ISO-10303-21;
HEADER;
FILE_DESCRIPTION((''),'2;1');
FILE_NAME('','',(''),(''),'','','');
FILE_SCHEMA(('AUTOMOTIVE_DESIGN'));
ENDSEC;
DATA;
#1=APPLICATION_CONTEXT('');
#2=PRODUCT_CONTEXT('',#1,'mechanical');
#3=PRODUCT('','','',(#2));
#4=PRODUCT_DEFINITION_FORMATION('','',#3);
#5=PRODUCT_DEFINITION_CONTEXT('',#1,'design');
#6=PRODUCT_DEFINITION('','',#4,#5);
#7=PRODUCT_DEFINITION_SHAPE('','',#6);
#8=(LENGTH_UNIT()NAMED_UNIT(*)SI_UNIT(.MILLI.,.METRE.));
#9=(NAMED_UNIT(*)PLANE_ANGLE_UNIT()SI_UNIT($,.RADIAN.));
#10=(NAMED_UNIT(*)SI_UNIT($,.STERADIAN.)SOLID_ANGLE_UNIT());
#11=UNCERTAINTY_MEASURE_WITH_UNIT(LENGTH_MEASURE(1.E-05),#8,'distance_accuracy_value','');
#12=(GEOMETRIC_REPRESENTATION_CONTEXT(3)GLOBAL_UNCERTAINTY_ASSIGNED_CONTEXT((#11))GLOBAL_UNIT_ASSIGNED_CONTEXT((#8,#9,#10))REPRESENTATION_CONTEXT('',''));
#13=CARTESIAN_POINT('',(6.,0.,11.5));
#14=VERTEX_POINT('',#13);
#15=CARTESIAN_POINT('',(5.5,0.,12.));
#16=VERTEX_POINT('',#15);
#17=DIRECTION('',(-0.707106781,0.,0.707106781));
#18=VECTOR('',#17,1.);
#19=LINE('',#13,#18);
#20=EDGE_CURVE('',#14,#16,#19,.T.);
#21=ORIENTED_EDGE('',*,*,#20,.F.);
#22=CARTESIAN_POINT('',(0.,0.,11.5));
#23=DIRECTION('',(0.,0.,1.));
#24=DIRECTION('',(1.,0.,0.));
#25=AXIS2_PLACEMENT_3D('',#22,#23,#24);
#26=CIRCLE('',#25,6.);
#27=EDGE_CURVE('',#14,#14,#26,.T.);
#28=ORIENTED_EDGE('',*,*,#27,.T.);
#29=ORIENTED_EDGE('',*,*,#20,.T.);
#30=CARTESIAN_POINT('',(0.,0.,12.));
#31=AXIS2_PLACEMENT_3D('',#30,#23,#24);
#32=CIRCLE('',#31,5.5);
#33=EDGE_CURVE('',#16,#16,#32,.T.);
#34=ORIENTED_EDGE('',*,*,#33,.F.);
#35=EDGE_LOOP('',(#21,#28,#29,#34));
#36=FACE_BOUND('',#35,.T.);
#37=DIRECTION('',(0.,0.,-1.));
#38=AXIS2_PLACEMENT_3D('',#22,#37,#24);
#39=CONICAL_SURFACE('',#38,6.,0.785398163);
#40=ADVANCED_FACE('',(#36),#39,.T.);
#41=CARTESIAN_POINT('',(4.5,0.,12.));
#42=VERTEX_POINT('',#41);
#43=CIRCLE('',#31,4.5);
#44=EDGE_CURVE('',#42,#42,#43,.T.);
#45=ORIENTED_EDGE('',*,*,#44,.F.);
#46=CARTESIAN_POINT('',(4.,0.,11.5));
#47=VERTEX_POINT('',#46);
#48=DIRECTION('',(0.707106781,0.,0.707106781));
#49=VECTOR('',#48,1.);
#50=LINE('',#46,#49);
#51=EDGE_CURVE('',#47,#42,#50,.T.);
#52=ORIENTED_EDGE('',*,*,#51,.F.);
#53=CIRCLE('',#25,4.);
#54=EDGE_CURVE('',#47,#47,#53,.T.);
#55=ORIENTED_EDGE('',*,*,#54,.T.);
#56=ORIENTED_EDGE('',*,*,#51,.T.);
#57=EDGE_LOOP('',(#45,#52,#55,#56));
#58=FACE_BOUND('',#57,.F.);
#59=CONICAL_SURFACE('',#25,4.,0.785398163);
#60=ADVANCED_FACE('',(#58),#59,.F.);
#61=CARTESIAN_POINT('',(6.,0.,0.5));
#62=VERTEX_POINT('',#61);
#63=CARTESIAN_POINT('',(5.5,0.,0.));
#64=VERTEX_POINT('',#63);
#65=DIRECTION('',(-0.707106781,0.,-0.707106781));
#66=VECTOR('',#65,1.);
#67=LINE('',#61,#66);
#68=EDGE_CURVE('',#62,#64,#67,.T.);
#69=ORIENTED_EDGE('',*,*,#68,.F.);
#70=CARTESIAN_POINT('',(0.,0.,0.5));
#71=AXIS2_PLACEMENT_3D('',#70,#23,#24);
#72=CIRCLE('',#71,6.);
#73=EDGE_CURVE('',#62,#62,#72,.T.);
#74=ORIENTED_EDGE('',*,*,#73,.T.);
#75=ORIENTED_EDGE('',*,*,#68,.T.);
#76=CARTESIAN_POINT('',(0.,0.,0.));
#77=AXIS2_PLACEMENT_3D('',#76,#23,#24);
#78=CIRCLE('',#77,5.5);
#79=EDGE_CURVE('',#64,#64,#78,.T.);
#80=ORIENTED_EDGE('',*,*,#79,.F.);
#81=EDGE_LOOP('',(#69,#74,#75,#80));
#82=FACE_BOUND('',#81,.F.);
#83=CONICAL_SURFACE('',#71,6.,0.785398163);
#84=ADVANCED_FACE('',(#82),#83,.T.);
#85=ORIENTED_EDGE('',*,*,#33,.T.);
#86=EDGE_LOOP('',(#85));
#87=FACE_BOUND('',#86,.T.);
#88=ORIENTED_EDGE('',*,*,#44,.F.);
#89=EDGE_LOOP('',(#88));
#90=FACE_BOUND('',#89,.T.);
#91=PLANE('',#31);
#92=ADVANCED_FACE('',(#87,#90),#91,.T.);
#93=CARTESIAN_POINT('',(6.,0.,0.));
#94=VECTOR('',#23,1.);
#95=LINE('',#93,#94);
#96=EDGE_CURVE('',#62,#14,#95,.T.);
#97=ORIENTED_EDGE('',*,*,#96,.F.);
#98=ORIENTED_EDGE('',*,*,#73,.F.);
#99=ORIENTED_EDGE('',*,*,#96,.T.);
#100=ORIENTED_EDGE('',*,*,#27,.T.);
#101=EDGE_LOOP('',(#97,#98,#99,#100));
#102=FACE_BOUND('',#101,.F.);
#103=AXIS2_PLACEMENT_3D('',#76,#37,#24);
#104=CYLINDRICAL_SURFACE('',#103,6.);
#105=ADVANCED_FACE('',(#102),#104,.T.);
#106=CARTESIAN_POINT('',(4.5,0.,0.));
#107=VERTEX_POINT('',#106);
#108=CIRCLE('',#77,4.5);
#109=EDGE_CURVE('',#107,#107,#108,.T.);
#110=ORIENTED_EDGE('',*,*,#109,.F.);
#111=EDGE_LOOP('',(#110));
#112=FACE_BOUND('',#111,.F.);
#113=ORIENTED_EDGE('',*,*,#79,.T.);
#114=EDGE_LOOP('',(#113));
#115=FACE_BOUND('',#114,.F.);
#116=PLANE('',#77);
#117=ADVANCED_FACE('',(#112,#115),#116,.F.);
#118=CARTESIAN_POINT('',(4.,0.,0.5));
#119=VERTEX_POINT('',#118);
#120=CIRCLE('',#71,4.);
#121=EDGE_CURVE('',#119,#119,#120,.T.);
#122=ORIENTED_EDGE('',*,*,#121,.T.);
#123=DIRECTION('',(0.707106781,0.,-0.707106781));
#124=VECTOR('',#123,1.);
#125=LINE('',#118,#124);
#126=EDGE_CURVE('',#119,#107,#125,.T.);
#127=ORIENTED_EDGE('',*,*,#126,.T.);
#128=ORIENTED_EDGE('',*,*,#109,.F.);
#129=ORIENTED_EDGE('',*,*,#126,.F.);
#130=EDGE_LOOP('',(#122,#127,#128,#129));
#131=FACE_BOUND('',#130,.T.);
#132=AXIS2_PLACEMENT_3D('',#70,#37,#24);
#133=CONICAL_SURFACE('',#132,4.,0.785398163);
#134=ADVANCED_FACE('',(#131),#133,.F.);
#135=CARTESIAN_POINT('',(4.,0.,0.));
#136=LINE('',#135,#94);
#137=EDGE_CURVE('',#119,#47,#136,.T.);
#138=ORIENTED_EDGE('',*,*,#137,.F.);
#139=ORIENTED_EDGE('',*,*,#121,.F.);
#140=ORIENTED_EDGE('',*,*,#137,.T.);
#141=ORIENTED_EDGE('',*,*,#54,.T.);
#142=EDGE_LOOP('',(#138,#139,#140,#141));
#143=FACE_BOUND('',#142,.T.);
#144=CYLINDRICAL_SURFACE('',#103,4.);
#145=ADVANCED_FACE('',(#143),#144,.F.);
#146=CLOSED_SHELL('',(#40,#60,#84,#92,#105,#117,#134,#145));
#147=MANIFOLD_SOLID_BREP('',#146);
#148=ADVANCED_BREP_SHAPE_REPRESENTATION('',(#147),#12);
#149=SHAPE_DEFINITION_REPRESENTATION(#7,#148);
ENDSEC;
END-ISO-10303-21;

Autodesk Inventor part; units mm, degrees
ref_plane "YZ Plane" through (0, 0, 0) normal (1, 0, 0) x (0, 1, 0)
ref_plane "XZ Plane" through (0, 0, 0) normal (0, 1, 0) x (-1, 0, 0)
ref_plane "XY Plane" through (0, 0, 0) normal (0, 0, 1) x (1, 0, 0)
sketch "Sketch1" plane through (0, 0, 0) normal (0, 0, 1) x (1, 0, 0)
  circle A0 centre (0, 0) radius 4
  circle A1 centre (0, 0) radius 6
  dimension "d0" = 12
  dimension "d1" = 8
extrude "Extrusion1" add sketch "Sketch1" along normal blind 12
chamfer "Chamfer1" distance 0.5 angle 45 4 edges at (-6, 0, 12) (-6, 0, 0) (-4, 0, 12) (-4, 0, 0)
properties part number "BearingBronze8x12x12" material "Bronze, Cast"
